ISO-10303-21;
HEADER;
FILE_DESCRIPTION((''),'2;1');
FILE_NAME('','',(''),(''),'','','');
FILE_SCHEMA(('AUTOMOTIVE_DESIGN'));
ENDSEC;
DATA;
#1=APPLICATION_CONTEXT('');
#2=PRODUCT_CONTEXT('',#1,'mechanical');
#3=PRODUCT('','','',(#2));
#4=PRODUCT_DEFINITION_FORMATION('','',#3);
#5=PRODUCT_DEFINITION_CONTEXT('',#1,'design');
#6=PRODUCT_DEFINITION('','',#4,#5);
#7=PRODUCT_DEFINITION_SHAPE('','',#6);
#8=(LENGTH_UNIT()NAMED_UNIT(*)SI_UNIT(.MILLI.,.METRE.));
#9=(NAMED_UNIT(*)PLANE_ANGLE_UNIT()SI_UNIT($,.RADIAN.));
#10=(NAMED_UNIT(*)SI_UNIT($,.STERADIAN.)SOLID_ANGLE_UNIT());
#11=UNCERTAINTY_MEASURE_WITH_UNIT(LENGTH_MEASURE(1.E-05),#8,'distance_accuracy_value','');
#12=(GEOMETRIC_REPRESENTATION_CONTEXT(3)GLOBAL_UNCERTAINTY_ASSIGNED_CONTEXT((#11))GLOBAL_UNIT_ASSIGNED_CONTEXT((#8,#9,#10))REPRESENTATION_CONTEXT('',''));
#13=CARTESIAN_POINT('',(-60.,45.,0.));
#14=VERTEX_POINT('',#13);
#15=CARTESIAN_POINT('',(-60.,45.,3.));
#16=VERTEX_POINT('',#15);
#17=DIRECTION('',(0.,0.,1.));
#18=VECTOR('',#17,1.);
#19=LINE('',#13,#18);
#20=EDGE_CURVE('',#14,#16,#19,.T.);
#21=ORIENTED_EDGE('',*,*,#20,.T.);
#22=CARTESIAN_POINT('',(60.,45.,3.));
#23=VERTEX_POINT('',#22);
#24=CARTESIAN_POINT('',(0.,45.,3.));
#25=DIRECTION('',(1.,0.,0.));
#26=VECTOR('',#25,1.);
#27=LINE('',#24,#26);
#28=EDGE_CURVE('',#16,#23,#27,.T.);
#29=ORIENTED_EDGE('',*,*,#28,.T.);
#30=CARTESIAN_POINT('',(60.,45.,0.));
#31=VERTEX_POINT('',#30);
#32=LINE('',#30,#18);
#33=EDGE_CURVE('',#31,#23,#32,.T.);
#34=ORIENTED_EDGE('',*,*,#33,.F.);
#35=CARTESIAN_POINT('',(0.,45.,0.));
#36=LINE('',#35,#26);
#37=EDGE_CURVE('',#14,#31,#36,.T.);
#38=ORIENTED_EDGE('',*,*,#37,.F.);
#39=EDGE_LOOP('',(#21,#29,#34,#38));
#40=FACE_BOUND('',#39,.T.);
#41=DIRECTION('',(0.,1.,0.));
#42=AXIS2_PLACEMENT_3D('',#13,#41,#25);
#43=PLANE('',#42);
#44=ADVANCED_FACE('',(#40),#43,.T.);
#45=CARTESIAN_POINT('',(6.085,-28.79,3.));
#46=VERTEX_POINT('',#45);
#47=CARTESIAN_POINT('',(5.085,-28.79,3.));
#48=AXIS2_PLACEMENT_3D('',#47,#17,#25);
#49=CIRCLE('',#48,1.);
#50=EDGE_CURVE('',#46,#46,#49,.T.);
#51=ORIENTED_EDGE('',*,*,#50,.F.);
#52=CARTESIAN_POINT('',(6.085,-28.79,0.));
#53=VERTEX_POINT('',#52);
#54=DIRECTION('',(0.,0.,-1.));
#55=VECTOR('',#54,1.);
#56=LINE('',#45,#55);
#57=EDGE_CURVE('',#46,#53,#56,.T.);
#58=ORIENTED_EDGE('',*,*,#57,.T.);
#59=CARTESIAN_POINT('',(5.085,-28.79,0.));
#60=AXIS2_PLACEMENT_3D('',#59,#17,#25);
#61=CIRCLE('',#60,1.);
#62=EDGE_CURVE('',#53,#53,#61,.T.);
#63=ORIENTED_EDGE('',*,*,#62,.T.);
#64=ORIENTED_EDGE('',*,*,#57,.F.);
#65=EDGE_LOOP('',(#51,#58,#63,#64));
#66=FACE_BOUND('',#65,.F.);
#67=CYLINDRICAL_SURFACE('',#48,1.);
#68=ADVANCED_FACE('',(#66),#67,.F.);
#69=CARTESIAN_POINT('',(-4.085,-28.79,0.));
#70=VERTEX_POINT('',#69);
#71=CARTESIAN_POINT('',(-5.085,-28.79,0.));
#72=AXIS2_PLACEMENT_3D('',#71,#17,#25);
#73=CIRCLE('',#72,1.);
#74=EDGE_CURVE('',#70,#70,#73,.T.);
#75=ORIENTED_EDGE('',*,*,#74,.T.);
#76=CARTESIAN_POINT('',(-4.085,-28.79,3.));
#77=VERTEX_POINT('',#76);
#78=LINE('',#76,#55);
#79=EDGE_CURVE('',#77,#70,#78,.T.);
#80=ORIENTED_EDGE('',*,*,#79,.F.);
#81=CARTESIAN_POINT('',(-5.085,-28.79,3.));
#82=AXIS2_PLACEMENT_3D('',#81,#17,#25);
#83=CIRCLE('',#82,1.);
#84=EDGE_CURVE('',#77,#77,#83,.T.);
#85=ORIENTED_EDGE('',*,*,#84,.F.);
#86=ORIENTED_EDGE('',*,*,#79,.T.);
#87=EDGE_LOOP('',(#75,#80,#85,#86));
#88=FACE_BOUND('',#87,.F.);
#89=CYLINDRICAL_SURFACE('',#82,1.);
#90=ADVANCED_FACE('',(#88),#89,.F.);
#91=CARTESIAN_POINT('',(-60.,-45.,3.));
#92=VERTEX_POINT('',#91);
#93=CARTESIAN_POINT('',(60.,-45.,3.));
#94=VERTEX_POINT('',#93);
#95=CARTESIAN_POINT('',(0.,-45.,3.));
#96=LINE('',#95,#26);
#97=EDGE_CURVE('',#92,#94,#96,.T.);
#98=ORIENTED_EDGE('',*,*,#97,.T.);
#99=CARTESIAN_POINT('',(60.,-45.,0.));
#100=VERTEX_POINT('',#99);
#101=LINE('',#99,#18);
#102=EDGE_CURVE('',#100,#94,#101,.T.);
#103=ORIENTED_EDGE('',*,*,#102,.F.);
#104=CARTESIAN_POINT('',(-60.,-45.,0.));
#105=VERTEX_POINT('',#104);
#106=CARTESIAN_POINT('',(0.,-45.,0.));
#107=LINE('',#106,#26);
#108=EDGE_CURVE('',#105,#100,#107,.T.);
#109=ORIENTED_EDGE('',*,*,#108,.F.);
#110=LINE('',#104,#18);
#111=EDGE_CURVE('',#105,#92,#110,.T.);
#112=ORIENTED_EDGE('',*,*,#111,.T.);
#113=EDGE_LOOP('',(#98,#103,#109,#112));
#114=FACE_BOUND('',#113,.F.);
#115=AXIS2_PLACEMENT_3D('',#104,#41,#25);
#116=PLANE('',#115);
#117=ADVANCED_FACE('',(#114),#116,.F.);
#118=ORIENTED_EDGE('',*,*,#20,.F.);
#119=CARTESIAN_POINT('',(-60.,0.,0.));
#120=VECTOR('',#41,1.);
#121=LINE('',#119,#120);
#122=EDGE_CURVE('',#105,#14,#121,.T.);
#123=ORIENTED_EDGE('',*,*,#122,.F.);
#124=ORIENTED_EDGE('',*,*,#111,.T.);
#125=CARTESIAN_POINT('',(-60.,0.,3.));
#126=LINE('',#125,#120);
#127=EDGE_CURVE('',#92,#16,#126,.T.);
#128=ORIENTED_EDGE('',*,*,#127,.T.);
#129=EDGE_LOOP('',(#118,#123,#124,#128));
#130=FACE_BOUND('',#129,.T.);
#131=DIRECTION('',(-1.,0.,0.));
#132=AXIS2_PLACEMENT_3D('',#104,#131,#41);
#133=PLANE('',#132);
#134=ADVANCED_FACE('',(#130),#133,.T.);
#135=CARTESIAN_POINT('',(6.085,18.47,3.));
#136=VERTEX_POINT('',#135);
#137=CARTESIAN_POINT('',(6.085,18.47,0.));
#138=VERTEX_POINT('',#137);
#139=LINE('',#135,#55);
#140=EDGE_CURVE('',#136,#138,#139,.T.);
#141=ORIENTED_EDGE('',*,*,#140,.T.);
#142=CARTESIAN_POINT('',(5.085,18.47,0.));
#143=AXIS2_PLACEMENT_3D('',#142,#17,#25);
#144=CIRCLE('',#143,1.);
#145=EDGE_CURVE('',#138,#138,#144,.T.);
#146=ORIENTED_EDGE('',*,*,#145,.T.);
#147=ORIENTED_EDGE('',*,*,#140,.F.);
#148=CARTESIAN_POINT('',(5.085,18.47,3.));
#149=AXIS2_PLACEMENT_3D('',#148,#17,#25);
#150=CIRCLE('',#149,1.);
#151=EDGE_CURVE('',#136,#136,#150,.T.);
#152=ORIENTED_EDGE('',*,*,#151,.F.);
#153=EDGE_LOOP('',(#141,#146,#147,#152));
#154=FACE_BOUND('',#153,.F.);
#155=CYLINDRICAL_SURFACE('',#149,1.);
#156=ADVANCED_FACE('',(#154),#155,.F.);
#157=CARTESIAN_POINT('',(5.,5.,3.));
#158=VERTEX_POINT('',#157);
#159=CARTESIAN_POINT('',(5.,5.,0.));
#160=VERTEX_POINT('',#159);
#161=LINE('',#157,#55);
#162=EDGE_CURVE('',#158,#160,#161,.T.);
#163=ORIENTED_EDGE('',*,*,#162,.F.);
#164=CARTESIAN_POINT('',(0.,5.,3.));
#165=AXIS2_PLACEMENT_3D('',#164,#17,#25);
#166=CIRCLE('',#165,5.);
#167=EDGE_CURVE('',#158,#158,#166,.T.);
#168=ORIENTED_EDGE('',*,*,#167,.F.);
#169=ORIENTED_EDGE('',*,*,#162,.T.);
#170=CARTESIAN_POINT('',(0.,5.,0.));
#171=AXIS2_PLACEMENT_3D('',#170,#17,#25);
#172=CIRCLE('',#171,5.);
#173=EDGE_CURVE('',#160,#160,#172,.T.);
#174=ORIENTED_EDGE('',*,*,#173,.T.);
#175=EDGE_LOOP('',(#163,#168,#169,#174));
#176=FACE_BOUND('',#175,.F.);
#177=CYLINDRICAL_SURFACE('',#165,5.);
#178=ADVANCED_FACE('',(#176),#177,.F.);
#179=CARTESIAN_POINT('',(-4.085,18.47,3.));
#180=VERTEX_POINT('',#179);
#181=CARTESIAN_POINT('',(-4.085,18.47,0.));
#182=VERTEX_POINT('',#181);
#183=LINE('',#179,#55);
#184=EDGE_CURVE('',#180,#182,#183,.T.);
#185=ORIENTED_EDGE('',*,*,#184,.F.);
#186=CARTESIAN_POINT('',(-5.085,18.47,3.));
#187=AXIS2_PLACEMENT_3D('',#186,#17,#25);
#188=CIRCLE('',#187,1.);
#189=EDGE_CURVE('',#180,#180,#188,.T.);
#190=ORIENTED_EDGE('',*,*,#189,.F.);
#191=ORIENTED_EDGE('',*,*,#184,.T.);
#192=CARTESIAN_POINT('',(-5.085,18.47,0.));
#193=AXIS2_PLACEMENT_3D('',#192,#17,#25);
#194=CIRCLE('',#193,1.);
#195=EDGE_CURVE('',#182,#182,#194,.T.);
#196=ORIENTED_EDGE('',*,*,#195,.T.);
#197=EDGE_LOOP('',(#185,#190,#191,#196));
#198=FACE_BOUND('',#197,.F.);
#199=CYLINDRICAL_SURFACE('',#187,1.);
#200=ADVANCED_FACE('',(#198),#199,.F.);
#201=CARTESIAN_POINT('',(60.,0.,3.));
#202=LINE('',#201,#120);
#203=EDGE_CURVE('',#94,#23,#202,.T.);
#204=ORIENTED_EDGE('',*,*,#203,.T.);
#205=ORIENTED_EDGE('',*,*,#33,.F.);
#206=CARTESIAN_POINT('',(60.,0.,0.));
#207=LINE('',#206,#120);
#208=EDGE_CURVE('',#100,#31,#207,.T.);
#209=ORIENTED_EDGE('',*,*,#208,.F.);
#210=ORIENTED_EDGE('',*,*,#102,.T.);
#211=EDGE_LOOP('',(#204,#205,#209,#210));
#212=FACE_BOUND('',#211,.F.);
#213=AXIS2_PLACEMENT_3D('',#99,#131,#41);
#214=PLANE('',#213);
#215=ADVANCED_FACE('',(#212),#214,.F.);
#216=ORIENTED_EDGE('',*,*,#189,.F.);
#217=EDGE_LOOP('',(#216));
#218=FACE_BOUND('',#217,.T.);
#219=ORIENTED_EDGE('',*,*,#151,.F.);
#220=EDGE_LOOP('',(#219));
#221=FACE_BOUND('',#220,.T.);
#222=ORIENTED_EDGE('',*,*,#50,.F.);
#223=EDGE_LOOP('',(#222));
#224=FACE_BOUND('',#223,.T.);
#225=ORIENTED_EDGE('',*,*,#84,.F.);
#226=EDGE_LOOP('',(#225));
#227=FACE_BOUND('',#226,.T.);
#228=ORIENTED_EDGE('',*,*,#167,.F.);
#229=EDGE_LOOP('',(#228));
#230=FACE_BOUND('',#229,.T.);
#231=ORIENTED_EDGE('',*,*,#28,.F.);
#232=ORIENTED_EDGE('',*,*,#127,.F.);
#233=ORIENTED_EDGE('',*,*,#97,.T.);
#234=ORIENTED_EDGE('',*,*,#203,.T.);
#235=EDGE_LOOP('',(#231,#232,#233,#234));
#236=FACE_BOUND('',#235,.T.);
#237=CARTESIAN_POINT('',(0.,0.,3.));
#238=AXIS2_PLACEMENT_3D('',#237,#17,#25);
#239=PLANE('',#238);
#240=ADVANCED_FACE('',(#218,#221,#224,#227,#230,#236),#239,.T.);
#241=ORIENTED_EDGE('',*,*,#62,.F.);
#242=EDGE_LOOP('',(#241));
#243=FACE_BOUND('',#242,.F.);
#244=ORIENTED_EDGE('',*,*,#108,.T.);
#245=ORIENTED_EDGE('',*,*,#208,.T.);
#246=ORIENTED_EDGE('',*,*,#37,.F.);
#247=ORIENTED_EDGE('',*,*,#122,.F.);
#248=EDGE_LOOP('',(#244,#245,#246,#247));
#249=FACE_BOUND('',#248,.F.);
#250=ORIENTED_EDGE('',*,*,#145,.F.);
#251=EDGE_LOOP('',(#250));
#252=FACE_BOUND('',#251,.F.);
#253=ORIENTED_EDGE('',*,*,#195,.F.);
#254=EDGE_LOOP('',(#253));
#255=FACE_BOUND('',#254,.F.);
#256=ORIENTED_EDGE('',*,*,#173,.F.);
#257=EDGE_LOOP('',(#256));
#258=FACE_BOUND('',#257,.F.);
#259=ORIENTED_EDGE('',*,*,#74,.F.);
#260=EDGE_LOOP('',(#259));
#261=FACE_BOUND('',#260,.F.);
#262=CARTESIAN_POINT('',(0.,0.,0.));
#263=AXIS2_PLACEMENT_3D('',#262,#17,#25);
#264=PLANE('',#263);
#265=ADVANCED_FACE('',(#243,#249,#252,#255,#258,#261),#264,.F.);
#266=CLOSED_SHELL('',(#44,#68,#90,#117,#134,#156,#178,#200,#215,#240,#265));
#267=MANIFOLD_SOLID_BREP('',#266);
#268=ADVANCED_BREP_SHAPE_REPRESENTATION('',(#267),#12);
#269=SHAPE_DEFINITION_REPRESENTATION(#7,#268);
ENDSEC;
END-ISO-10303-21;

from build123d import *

# Parameters (mm, degrees)
F0_W     = 120
F0_H     = 90
F0_R     = 1
F0_R_2   = 5
F1_DEPTH = 3
F2_R     = 5
F2_R_2   = 1
F3_DEPTH = 3.001


with BuildPart() as f1:
    # F0 (on Top) → F1 (new body)
    with BuildSketch(Plane.XY):
        Rectangle(F0_W, F0_H)
        with Locations((-5.085, -18.47)):
            Circle(F0_R, mode=Mode.SUBTRACT)
        with Locations((5.09234, -18.47)):
            Circle(F0_R, mode=Mode.SUBTRACT)
        with Locations((0, -5)):
            Circle(F0_R_2, mode=Mode.SUBTRACT)
        with Locations((-5.085, 28.79)):
            Circle(F0_R, mode=Mode.SUBTRACT)
        with Locations((5.09234, 28.79)):
            Circle(F0_R, mode=Mode.SUBTRACT)
        with Locations((0, -5)):
            Circle(F0_R_2)
        with Locations((5.09234, 28.79)):
            Circle(F0_R)
        with Locations((-5.085, 28.79)):
            Circle(F0_R)
        with Locations((-5.085, -18.47)):
            Circle(F0_R)
        with Locations((5.09234, -18.47)):
            Circle(F0_R)
    extrude(amount=F1_DEPTH)

    # F2 (on face) → F3 (cut, through all)
    with BuildSketch(Plane.XY.offset(3)):
        with Locations((0, 5)):
            Circle(F2_R)
        with Locations((5.085, -28.79)):
            Circle(F2_R_2)
        with Locations((-5.085, -28.79)):
            Circle(F2_R_2)
        with Locations((5.085, 18.47)):
            Circle(F2_R_2)
        with Locations((-5.085, 18.47)):
            Circle(F2_R_2)
    extrude(amount=-F3_DEPTH, mode=Mode.SUBTRACT)


solid = f1.part
